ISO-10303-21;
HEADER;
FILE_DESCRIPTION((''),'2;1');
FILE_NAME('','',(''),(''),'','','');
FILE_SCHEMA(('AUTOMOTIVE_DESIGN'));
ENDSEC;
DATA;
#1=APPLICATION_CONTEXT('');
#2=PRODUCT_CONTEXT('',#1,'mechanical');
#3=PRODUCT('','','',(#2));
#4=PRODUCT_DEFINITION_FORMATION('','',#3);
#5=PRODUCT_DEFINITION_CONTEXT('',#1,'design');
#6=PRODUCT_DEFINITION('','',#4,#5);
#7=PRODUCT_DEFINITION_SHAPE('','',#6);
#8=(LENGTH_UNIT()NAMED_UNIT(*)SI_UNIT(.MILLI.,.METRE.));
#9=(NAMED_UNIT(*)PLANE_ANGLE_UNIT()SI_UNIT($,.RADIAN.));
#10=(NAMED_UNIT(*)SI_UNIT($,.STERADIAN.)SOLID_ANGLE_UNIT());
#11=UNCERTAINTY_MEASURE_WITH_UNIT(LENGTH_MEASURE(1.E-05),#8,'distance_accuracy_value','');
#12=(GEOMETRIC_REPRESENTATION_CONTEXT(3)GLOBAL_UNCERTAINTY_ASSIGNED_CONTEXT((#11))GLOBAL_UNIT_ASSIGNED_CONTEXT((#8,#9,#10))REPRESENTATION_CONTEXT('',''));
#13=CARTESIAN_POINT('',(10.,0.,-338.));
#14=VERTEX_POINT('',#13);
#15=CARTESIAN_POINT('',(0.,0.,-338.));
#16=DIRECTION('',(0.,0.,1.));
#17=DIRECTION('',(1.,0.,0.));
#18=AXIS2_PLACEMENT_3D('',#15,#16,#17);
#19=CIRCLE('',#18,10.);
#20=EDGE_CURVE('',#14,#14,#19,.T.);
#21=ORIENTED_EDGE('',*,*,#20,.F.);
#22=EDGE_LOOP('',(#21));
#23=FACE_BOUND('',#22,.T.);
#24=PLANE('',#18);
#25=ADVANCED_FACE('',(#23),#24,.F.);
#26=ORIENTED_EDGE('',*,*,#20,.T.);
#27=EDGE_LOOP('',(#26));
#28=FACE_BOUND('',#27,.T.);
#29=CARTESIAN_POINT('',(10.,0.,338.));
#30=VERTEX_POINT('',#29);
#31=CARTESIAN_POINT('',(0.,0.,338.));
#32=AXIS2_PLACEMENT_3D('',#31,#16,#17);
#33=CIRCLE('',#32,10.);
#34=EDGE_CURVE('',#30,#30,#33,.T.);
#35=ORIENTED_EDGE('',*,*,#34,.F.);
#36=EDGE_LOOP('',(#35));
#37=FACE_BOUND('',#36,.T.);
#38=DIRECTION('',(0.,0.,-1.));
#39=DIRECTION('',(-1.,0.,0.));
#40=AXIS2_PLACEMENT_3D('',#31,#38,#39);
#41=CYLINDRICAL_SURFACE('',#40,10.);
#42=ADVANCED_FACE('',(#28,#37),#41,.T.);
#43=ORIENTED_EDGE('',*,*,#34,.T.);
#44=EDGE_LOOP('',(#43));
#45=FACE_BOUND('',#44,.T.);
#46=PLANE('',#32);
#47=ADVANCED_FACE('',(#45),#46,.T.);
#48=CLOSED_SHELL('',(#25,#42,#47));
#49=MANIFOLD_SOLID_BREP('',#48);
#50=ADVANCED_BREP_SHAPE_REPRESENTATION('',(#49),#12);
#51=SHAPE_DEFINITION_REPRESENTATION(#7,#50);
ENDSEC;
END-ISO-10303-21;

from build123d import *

# Parameters (mm, degrees)
SKETCH1_R           = 10
BOSS_EXTRUDE1_DEPTH = 338


with BuildPart() as part:
    # Sketch1 → Boss-Extrude1 (new body, symmetric)
    with BuildSketch(Plane.XY):
        Circle(SKETCH1_R)
    extrude(amount=BOSS_EXTRUDE1_DEPTH, both=True)


solid = part.part
